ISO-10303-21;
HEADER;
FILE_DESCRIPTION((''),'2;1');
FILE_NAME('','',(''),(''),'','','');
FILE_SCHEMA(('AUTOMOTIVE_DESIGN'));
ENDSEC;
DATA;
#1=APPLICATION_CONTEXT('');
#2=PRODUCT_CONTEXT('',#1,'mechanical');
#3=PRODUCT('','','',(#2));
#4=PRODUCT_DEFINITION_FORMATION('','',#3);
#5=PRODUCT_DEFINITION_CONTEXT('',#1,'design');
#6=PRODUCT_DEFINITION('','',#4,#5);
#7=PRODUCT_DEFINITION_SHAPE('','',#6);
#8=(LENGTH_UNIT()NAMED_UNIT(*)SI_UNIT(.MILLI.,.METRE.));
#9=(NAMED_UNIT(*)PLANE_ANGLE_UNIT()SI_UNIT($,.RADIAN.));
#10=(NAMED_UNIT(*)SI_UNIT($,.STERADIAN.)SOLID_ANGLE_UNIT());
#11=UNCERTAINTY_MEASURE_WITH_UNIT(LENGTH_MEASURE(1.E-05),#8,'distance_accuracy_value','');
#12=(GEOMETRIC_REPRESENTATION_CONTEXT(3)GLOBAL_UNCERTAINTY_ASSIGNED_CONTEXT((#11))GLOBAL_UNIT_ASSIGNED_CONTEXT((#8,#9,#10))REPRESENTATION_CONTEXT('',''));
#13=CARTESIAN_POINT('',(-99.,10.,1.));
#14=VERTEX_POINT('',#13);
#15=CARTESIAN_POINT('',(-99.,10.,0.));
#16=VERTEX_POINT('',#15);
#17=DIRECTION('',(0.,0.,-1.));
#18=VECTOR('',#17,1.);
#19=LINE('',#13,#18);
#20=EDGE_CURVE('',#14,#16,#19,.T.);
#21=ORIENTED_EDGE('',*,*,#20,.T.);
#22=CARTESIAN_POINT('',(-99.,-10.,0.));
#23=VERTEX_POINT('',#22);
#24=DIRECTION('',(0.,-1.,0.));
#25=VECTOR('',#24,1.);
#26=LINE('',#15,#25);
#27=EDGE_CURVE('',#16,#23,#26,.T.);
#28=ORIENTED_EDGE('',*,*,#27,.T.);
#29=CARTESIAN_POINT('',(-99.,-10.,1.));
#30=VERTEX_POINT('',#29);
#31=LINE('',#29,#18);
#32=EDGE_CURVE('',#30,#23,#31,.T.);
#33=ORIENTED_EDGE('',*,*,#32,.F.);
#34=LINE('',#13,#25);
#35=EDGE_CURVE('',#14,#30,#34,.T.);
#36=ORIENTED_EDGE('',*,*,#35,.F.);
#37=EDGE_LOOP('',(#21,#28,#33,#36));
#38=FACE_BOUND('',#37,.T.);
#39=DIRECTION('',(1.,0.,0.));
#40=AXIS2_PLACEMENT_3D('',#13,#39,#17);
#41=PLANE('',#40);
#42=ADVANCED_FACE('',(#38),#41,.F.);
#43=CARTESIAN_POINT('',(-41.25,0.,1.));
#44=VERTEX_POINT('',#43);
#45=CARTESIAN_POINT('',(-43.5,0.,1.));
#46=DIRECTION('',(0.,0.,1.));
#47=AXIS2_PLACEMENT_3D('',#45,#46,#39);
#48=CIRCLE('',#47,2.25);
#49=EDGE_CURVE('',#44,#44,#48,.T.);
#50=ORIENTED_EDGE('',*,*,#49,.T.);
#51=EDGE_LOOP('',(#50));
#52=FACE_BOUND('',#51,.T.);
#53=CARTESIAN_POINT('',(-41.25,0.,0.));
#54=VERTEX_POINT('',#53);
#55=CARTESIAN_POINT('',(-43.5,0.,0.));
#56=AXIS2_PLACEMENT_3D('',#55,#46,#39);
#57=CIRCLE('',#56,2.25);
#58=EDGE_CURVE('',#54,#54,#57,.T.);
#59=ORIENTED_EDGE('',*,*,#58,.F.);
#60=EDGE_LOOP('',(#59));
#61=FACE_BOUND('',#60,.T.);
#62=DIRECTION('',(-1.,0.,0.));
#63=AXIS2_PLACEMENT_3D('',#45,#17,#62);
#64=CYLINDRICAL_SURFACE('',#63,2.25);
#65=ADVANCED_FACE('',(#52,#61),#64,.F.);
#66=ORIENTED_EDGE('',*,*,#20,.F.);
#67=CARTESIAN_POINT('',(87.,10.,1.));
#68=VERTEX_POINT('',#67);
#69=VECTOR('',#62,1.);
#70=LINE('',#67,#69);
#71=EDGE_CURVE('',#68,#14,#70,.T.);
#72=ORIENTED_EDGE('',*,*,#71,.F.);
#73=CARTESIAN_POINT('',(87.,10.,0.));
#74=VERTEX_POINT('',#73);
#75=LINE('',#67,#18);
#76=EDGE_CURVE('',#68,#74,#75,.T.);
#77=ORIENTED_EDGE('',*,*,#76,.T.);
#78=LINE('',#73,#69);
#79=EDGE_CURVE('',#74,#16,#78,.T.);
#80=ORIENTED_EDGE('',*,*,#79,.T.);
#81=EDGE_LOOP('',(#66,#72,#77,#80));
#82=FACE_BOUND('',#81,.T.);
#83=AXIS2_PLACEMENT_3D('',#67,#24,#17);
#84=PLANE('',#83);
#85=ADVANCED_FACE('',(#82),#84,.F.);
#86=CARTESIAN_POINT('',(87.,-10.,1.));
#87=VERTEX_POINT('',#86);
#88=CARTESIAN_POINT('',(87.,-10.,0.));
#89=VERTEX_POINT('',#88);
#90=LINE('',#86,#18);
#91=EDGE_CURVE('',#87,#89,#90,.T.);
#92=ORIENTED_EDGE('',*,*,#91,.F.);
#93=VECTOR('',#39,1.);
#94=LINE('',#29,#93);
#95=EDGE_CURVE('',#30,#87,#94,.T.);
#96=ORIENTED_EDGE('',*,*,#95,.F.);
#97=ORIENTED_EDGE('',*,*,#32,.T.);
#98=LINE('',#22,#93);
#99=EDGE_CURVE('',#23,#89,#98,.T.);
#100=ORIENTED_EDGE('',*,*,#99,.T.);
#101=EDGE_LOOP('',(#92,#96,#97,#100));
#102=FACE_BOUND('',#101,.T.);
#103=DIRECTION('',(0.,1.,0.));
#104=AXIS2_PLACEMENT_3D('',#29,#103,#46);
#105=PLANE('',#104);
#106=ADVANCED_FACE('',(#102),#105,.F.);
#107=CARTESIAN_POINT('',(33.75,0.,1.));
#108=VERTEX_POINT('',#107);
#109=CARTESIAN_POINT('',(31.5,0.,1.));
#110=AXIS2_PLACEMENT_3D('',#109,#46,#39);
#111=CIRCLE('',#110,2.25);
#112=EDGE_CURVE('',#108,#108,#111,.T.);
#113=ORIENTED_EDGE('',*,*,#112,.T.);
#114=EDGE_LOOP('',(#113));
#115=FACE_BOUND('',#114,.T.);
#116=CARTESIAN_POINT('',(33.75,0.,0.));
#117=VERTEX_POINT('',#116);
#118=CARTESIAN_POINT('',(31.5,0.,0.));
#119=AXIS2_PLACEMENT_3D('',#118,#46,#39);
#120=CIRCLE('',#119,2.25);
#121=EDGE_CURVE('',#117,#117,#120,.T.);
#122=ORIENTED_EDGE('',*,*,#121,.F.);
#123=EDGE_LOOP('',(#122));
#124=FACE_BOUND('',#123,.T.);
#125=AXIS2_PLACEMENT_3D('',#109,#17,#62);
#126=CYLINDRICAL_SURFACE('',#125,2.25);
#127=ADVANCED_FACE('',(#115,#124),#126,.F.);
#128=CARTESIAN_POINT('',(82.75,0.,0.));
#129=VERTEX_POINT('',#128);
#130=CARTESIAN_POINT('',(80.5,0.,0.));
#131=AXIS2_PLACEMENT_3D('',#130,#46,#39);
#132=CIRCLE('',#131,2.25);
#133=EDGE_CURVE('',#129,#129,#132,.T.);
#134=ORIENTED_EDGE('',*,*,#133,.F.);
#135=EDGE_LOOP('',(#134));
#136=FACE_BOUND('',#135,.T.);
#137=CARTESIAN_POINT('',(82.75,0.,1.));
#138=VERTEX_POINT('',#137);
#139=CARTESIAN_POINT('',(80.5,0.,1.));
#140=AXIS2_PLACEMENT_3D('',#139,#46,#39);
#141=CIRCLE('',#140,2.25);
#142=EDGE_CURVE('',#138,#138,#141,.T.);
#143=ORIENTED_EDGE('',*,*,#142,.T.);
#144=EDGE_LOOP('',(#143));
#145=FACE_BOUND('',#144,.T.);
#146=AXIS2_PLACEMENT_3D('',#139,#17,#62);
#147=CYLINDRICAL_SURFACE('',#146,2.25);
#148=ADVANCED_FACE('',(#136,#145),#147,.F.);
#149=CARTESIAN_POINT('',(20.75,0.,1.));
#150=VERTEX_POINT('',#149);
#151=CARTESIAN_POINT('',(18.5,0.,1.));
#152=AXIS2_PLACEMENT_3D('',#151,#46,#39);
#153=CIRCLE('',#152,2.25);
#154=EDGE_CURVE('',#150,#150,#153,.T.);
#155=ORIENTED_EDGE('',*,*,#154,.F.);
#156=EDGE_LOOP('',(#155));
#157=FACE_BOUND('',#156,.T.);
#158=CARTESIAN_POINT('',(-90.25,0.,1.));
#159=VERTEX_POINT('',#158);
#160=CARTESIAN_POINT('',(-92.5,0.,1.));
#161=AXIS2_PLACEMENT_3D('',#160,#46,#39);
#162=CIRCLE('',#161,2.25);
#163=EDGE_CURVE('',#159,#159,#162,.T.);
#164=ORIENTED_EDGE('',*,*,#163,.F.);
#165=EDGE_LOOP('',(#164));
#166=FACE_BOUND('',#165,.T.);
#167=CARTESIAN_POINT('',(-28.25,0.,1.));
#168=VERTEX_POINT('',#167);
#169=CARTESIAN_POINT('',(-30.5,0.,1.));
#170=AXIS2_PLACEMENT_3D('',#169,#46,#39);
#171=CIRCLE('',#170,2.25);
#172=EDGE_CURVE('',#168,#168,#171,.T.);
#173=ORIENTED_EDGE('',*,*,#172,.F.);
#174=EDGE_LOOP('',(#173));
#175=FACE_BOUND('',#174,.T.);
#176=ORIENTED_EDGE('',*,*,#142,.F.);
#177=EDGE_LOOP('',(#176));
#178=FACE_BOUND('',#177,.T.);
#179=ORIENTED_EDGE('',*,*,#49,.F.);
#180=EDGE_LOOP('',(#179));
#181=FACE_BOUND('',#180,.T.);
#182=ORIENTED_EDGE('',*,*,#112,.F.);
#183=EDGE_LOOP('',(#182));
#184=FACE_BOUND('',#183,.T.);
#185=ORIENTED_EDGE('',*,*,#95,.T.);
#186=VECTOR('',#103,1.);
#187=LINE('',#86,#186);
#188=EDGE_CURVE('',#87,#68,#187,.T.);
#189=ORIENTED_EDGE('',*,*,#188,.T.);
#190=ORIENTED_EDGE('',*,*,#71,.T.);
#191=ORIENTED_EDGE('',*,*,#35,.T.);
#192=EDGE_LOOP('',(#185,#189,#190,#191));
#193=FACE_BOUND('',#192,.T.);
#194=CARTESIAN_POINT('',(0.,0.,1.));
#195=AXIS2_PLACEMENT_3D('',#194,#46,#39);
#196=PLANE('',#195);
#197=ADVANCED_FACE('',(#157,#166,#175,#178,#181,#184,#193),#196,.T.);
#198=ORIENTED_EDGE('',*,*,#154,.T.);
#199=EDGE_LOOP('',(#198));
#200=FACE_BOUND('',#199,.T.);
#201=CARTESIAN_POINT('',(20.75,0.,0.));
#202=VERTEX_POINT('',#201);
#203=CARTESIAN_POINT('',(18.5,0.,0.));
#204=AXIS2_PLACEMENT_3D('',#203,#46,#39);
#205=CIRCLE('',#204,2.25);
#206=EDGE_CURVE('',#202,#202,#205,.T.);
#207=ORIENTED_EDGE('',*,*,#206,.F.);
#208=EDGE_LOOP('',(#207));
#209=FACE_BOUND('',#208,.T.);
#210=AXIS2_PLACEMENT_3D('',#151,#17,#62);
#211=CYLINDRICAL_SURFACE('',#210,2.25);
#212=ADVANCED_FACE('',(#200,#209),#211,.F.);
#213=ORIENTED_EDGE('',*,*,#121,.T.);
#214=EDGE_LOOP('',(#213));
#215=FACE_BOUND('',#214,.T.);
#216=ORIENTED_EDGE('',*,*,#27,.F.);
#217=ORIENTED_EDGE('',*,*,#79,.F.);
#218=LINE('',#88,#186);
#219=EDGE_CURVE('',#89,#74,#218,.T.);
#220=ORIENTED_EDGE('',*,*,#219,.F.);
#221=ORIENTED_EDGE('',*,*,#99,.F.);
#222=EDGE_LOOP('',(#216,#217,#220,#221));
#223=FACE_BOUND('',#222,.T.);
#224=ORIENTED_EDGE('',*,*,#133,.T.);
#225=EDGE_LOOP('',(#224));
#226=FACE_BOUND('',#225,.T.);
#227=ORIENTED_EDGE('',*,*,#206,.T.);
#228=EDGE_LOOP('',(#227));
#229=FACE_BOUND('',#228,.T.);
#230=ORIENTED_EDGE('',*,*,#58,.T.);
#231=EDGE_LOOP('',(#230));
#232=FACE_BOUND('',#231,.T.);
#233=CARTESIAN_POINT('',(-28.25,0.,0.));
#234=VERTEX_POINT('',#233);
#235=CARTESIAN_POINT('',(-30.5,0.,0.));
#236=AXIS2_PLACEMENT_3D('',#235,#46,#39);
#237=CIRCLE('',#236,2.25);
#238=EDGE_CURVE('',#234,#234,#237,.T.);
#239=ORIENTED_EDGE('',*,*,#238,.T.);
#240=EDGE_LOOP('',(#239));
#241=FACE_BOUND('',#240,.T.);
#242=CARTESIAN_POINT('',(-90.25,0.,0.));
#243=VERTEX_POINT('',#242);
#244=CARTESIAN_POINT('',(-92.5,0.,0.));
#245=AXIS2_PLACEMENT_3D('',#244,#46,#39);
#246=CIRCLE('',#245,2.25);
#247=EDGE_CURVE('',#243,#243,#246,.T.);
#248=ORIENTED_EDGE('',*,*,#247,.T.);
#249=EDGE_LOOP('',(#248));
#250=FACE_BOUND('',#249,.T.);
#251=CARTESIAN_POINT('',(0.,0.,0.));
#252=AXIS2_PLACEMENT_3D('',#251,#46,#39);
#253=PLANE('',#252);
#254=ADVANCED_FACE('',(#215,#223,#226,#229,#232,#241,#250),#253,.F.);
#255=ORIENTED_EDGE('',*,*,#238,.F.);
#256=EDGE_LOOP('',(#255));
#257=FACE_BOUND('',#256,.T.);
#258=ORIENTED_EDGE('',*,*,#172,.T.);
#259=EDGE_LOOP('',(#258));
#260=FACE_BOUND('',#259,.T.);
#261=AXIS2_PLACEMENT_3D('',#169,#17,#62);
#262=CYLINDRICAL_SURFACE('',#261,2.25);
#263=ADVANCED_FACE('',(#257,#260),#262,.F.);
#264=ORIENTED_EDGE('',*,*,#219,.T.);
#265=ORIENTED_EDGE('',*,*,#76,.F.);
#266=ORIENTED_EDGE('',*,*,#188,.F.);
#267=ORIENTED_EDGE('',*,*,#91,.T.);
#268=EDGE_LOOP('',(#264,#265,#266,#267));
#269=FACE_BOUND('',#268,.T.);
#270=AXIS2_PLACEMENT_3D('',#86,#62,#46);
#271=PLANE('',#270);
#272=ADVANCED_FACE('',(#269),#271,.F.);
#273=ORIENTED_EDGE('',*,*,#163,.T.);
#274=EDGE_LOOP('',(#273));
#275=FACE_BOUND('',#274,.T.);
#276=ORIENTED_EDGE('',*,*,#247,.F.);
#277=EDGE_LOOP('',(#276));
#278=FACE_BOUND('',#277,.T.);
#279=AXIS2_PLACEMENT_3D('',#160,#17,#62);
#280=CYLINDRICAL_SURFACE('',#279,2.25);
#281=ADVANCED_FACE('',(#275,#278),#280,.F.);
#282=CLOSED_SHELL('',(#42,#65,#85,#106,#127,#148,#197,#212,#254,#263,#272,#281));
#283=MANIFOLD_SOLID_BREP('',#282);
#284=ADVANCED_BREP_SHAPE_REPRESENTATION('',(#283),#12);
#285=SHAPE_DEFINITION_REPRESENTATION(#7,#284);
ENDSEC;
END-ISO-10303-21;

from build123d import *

# Parameters (mm, degrees)
M4_BACKING_HOLES_PROFILE_W = 186
M4_BACKING_HOLES_PROFILE_H = 20
M4_BACKING_HOLES_PROFILE_R = 2.25
M4_BACKING_HOLES_DEPTH     = 1


with BuildPart() as part:
    # M4 backing holes profile → M4 backing holes (new body)
    with BuildSketch(Plane.XY):
        with Locations((-6, 0)):
            Rectangle(M4_BACKING_HOLES_PROFILE_W, M4_BACKING_HOLES_PROFILE_H)
        with Locations((-92.5, 0)):
            Circle(M4_BACKING_HOLES_PROFILE_R, mode=Mode.SUBTRACT)
        with Locations((-43.5, 0)):
            Circle(M4_BACKING_HOLES_PROFILE_R, mode=Mode.SUBTRACT)
        with Locations((-30.5, 0)):
            Circle(M4_BACKING_HOLES_PROFILE_R, mode=Mode.SUBTRACT)
        with Locations((18.5, 0)):
            Circle(M4_BACKING_HOLES_PROFILE_R, mode=Mode.SUBTRACT)
        with Locations((31.5, 0)):
            Circle(M4_BACKING_HOLES_PROFILE_R, mode=Mode.SUBTRACT)
        with Locations((80.5, 0)):
            Circle(M4_BACKING_HOLES_PROFILE_R, mode=Mode.SUBTRACT)
    extrude(amount=M4_BACKING_HOLES_DEPTH)


solid = part.part
